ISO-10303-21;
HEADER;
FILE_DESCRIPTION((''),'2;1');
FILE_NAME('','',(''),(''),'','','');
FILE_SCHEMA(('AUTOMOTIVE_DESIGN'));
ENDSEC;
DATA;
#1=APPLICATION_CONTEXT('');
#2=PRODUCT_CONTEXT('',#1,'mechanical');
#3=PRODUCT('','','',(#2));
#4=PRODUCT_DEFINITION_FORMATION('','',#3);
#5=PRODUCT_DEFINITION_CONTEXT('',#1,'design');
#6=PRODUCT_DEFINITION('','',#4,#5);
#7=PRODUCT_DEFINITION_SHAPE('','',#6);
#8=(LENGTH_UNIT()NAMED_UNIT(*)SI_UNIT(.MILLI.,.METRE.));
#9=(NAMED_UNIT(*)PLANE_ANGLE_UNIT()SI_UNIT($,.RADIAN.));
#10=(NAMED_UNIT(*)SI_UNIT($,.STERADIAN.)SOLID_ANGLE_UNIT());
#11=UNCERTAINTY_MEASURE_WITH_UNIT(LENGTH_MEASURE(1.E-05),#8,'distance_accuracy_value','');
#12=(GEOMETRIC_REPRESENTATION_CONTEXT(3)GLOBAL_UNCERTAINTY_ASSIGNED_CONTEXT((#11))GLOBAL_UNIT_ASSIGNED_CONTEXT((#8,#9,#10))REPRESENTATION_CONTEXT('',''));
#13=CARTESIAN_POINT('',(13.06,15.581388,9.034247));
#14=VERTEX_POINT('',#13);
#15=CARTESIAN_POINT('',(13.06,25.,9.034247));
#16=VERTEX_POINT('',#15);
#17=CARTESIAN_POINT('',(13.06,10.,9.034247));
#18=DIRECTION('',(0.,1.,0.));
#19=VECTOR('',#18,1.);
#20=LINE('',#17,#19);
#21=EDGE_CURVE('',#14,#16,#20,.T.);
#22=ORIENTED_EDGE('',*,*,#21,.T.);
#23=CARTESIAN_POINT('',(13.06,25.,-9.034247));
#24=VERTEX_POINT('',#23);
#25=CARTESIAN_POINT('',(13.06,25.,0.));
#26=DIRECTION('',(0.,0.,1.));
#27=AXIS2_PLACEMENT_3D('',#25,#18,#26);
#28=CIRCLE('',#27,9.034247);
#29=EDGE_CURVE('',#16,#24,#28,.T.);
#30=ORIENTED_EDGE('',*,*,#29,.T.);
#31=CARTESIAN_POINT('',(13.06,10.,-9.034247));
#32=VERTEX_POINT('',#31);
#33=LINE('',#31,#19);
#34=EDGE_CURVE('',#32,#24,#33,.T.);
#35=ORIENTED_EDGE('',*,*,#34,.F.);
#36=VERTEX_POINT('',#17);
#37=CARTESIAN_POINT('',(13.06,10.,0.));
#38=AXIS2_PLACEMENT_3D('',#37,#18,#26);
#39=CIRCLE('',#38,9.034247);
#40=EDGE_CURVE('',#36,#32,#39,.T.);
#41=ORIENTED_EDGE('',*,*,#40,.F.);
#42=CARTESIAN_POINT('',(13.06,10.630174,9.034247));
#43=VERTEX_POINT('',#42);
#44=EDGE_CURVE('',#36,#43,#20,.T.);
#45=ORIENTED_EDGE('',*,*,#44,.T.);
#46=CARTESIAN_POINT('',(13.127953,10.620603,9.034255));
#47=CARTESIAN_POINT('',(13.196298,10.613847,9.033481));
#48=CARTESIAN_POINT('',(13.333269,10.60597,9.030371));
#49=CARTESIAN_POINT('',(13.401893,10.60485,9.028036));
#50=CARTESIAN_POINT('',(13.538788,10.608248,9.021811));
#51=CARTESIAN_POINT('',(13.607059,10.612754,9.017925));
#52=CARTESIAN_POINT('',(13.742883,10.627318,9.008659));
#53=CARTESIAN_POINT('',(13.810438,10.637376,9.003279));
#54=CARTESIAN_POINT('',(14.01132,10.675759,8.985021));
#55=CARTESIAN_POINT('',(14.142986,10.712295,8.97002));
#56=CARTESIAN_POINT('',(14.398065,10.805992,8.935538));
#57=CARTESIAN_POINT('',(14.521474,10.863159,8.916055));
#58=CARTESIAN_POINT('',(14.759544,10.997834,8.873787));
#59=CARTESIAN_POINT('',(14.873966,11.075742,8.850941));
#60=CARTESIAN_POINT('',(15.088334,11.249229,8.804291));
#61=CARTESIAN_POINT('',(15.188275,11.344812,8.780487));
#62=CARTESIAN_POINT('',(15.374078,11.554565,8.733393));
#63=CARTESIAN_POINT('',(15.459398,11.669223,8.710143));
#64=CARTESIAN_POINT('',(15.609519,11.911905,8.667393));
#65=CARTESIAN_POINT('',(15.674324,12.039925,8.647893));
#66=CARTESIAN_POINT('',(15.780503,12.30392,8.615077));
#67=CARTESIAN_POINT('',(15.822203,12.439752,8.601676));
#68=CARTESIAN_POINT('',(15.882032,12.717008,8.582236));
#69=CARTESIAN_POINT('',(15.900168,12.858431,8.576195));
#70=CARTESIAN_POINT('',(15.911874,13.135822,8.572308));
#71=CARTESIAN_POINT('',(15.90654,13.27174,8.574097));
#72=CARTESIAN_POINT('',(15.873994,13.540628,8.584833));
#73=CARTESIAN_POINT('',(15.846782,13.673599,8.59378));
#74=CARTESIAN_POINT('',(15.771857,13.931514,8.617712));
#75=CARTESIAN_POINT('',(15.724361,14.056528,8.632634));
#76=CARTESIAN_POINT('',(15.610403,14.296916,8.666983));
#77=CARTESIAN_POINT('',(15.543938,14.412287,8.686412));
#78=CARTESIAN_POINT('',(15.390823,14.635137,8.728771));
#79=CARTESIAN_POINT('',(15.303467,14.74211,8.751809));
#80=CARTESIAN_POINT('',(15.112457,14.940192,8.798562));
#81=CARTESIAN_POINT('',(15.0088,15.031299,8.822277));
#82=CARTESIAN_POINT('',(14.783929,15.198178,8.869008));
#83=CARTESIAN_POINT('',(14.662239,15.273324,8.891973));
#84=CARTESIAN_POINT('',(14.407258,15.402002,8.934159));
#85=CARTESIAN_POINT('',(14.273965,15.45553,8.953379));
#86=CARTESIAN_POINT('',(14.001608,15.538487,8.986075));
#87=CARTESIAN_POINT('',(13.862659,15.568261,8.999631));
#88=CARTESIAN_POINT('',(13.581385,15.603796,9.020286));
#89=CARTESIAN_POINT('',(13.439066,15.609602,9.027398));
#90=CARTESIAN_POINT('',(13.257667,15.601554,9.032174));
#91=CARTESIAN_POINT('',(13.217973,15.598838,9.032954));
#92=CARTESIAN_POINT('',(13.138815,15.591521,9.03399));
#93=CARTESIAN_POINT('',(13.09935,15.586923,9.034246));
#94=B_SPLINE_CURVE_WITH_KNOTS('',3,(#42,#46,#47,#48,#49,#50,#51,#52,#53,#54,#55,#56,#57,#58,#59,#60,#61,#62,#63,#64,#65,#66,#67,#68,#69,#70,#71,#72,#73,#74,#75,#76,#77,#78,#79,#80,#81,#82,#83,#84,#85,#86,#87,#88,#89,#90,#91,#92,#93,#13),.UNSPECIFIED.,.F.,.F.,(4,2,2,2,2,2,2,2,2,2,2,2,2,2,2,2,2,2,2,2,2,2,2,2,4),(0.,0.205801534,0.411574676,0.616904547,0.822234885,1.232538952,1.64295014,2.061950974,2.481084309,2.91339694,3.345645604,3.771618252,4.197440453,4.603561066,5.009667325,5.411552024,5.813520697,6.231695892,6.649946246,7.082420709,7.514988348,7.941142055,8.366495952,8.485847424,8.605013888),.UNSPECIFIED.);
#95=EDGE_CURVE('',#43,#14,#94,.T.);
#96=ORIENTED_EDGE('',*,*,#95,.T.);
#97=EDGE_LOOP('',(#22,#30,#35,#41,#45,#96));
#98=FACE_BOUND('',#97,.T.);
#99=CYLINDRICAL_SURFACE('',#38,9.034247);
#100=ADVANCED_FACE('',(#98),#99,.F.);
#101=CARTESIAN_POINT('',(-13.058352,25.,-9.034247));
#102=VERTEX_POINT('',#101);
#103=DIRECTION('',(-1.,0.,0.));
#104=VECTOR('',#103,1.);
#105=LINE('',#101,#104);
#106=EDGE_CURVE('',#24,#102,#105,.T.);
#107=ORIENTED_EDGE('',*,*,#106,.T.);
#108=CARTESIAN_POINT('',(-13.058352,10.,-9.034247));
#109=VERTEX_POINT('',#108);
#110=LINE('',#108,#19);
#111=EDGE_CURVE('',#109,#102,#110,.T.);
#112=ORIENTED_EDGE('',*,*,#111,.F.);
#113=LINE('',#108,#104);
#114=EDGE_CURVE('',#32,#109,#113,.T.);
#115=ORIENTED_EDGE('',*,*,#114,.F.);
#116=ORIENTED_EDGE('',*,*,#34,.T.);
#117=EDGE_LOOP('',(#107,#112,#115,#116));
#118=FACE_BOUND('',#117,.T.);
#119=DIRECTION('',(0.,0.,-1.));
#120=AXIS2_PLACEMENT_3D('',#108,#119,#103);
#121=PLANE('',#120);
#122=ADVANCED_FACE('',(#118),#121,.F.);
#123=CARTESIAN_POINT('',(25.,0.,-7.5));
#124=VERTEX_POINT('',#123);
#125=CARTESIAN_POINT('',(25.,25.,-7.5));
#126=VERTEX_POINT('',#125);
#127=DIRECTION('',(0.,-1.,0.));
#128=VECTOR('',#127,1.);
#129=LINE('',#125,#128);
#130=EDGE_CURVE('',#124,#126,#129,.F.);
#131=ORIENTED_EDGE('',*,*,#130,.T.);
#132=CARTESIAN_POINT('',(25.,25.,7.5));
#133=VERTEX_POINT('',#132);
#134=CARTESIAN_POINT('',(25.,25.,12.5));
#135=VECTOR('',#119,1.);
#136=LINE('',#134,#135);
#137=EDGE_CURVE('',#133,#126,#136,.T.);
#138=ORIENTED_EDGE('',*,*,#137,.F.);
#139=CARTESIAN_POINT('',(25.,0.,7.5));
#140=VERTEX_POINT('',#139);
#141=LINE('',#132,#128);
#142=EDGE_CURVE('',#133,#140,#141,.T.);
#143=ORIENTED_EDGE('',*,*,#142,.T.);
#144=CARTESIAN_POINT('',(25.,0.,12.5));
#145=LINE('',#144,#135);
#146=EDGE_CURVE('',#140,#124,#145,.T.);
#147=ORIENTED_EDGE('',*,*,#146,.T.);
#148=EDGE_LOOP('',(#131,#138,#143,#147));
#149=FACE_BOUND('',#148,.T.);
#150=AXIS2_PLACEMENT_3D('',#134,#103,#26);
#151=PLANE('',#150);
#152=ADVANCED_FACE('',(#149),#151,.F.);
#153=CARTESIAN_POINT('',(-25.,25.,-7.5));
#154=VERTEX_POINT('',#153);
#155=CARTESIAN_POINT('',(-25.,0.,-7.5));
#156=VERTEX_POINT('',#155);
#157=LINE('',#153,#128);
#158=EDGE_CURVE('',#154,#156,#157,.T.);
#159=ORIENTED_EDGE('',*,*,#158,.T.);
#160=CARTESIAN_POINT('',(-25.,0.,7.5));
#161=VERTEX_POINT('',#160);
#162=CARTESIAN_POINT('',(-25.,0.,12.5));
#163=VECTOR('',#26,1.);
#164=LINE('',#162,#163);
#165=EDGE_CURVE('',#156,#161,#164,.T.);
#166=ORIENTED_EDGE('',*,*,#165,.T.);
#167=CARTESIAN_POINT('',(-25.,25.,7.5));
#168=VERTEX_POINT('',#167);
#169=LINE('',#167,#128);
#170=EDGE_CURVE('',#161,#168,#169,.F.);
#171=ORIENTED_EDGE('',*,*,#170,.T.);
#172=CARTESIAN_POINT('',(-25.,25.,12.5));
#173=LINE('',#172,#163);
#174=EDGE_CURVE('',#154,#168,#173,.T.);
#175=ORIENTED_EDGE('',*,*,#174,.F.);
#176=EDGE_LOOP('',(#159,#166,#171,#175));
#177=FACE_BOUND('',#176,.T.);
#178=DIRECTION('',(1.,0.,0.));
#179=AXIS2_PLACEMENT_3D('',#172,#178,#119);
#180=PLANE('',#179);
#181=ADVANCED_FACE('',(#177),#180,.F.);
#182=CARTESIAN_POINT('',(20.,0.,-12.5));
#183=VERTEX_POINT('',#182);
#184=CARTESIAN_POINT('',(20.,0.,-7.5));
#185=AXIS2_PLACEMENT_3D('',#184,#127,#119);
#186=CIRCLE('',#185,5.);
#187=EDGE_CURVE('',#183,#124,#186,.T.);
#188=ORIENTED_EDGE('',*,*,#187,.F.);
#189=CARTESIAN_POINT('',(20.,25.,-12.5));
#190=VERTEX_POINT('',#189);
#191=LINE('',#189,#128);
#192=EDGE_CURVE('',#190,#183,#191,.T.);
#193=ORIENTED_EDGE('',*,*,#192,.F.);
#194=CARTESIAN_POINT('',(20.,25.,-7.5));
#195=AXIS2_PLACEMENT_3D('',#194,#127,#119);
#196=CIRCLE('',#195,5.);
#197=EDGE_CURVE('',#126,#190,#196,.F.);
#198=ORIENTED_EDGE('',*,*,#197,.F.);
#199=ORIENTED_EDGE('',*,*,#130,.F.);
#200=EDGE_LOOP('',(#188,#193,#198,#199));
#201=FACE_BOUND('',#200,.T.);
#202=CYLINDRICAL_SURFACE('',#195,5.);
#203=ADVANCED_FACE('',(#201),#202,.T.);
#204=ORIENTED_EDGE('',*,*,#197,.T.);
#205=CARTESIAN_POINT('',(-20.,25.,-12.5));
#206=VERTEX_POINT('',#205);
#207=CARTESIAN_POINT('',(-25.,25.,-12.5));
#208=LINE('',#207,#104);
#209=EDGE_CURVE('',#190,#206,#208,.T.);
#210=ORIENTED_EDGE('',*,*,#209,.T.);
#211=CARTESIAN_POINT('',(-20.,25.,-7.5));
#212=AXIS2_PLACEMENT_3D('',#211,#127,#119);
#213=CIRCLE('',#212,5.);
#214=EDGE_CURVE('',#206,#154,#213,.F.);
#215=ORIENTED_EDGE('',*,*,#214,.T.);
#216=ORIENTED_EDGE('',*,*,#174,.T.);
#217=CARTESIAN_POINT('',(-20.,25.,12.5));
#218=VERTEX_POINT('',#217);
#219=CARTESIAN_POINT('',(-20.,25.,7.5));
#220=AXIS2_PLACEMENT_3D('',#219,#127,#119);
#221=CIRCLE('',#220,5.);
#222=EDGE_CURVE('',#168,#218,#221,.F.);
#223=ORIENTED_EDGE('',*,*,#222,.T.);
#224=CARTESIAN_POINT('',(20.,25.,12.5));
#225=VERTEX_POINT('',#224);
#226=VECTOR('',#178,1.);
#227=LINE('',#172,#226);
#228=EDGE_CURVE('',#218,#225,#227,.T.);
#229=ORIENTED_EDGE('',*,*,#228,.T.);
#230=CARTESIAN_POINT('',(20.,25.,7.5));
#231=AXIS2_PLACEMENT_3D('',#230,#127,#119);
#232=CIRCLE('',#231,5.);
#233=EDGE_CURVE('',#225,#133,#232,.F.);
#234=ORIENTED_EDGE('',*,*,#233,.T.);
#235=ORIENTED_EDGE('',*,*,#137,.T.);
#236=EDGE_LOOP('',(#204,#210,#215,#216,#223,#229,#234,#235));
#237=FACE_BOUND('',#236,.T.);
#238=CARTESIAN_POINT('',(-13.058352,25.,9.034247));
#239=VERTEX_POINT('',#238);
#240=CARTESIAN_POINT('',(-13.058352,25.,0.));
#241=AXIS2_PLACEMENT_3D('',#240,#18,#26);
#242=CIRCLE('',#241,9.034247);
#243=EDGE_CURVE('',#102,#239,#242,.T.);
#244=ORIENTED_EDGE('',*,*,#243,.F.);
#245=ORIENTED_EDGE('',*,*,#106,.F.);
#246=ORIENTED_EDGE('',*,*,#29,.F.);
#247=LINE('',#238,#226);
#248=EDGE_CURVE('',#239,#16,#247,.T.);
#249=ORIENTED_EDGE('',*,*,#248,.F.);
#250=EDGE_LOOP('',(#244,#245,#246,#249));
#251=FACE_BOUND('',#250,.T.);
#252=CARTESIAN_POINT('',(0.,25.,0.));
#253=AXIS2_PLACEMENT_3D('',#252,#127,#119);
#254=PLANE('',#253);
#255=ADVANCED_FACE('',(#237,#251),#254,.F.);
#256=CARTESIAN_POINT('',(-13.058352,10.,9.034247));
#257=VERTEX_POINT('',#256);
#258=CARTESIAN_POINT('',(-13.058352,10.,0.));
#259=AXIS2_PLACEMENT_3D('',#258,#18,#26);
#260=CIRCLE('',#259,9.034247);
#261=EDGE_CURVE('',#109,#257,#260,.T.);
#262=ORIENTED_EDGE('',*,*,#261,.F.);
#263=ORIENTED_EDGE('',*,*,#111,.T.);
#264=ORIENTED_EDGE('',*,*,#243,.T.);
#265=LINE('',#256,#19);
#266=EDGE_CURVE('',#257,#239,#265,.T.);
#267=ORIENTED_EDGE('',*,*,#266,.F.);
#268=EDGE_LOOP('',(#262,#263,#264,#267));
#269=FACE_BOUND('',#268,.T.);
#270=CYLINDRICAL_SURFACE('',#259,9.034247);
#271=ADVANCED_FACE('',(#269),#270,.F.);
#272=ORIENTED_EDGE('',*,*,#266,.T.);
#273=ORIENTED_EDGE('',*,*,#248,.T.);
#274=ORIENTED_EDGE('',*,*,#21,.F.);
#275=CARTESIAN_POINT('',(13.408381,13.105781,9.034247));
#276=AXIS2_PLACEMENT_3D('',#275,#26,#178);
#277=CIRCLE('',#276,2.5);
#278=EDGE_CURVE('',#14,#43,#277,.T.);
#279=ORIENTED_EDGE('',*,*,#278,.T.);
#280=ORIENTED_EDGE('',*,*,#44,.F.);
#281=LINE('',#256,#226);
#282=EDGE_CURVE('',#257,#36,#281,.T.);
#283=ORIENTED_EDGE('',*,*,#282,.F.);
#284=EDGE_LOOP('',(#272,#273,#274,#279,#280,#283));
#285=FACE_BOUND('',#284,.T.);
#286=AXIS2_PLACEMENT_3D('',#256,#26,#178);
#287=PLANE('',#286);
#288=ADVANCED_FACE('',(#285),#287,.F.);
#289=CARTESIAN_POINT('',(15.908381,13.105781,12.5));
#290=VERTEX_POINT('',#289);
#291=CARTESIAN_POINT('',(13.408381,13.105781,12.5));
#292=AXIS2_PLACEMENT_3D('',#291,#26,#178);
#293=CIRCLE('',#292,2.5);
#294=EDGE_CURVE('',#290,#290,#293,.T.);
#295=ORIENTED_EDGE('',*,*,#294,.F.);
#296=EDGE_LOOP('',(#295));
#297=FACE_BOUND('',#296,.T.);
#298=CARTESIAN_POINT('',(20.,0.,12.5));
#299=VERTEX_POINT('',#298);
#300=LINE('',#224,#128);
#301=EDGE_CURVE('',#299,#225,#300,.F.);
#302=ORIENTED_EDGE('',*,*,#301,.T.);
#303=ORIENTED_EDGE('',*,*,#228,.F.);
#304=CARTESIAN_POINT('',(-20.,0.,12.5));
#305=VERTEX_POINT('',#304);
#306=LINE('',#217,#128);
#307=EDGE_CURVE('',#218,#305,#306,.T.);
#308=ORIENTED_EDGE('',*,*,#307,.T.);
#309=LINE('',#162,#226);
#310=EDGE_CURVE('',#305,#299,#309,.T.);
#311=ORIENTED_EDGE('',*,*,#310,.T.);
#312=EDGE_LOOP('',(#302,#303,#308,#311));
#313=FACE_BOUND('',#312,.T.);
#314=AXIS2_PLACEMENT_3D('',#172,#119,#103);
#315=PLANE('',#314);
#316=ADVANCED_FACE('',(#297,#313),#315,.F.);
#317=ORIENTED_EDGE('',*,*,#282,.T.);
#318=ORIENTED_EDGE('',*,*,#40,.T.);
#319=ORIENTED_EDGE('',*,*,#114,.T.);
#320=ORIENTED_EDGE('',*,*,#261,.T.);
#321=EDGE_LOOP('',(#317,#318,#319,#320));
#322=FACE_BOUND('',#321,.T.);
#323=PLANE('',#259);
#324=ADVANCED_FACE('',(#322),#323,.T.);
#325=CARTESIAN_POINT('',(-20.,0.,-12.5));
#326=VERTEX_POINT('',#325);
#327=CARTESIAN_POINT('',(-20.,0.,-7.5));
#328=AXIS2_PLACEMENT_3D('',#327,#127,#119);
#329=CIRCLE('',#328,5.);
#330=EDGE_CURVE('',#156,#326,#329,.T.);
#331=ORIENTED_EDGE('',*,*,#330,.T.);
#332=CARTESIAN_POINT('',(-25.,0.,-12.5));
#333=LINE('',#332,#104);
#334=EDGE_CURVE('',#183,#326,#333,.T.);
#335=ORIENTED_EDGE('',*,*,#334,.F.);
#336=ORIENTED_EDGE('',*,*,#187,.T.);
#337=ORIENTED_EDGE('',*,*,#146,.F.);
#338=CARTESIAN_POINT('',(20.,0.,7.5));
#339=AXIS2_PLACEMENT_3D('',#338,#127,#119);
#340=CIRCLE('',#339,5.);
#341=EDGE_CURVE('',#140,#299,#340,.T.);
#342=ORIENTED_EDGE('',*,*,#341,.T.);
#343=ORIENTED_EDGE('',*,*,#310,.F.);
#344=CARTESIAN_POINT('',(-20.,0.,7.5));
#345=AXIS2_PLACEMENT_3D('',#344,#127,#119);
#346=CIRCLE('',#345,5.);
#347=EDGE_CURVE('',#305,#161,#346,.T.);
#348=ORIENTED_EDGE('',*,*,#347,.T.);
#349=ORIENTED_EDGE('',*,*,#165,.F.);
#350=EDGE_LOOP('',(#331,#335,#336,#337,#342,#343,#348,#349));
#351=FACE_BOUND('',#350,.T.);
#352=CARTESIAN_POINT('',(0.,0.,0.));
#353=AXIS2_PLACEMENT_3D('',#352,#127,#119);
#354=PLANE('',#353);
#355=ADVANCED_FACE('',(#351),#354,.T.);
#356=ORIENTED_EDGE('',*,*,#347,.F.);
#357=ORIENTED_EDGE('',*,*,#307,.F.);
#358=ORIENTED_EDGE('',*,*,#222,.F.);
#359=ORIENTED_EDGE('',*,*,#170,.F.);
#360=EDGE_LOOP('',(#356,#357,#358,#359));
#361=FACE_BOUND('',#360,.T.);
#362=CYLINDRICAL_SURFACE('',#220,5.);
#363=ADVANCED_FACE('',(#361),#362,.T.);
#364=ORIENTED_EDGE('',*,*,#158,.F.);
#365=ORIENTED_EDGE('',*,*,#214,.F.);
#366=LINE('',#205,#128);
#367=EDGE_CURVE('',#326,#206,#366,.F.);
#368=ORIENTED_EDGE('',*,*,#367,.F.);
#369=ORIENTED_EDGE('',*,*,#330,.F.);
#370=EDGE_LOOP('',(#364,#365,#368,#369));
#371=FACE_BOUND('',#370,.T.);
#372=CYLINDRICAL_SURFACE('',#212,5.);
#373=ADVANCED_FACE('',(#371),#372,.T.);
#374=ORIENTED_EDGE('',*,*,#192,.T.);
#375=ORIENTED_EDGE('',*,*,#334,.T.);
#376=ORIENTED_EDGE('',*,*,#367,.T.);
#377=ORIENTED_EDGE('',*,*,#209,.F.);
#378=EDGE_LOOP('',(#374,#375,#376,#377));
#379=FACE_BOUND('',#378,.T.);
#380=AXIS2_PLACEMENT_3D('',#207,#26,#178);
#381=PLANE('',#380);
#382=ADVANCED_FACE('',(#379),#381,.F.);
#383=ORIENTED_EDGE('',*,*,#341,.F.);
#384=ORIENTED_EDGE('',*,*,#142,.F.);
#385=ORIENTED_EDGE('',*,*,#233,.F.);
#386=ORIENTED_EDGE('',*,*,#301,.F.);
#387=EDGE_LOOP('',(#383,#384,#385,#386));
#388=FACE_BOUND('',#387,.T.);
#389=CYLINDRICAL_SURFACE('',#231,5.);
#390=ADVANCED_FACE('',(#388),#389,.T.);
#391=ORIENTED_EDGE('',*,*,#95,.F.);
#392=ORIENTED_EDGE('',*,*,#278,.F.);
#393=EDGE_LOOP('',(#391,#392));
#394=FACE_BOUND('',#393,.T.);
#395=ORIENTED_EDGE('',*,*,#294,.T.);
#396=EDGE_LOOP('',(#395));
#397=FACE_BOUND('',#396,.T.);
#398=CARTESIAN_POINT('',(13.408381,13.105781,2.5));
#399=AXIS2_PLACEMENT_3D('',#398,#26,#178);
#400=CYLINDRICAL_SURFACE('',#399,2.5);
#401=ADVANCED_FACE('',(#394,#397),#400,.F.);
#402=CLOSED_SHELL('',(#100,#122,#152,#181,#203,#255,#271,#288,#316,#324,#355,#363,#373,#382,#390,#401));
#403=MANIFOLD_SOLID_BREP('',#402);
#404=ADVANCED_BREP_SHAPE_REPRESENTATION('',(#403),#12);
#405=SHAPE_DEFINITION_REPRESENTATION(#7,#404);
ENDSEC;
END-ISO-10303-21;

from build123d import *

# Parameters (mm, degrees)
SKETCH1_W           = 50
SKETCH1_H           = 25
BOSS_EXTRUDE1_DEPTH = 25
FILLET2_R           = 5
CUT_EXTRUDE1_DEPTH  = 15
SKETCH3_R           = 2.5
CUT_EXTRUDE2_DEPTH  = 10


with BuildPart() as part:
    # Sketch1 → Boss-Extrude1 (new body)
    with BuildSketch(Plane(origin=(0, 0, 0), x_dir=(1, 0, 0), z_dir=(0, 1, 0))):
        Rectangle(SKETCH1_W, SKETCH1_H)
    extrude(amount=BOSS_EXTRUDE1_DEPTH)

    # Fillet2
    fillet2_edges = [part.edges().sort_by_distance(p)[0] for p in [
        (25, 12.5, 12.5),
        (-25, 12.5, 12.5),
        (-25, 12.5, -12.5),
        (25, 12.5, -12.5),
    ]]
    fillet(fillet2_edges, radius=FILLET2_R)

    # Sketch2 → Cut-Extrude1 (cut)
    with BuildSketch(Plane(origin=(0, 25, 0), x_dir=(1, 0, 0), z_dir=(0, 1, 0))):
        with BuildLine():
            Line((-13.058351702, 9.034247402), (13.06, 9.034247402))
            ThreePointArc((13.06, 9.034247402), (22.094247402, 0), (13.06, -9.034247402))
            Line((13.06, -9.034247402), (-13.058351702, -9.034247402))
            ThreePointArc((-13.058351702, -9.034247402), (-22.092599103, 0), (-13.058351702, 9.034247402))
        make_face()
    extrude(amount=-CUT_EXTRUDE1_DEPTH, mode=Mode.SUBTRACT)

    # Sketch3 → Cut-Extrude2 (cut)
    with BuildSketch(Plane.XY.offset(12.5)):
        with Locations((13.408381173, 13.105781034)):
            Circle(SKETCH3_R)
    extrude(amount=-CUT_EXTRUDE2_DEPTH, mode=Mode.SUBTRACT)


solid = part.part
